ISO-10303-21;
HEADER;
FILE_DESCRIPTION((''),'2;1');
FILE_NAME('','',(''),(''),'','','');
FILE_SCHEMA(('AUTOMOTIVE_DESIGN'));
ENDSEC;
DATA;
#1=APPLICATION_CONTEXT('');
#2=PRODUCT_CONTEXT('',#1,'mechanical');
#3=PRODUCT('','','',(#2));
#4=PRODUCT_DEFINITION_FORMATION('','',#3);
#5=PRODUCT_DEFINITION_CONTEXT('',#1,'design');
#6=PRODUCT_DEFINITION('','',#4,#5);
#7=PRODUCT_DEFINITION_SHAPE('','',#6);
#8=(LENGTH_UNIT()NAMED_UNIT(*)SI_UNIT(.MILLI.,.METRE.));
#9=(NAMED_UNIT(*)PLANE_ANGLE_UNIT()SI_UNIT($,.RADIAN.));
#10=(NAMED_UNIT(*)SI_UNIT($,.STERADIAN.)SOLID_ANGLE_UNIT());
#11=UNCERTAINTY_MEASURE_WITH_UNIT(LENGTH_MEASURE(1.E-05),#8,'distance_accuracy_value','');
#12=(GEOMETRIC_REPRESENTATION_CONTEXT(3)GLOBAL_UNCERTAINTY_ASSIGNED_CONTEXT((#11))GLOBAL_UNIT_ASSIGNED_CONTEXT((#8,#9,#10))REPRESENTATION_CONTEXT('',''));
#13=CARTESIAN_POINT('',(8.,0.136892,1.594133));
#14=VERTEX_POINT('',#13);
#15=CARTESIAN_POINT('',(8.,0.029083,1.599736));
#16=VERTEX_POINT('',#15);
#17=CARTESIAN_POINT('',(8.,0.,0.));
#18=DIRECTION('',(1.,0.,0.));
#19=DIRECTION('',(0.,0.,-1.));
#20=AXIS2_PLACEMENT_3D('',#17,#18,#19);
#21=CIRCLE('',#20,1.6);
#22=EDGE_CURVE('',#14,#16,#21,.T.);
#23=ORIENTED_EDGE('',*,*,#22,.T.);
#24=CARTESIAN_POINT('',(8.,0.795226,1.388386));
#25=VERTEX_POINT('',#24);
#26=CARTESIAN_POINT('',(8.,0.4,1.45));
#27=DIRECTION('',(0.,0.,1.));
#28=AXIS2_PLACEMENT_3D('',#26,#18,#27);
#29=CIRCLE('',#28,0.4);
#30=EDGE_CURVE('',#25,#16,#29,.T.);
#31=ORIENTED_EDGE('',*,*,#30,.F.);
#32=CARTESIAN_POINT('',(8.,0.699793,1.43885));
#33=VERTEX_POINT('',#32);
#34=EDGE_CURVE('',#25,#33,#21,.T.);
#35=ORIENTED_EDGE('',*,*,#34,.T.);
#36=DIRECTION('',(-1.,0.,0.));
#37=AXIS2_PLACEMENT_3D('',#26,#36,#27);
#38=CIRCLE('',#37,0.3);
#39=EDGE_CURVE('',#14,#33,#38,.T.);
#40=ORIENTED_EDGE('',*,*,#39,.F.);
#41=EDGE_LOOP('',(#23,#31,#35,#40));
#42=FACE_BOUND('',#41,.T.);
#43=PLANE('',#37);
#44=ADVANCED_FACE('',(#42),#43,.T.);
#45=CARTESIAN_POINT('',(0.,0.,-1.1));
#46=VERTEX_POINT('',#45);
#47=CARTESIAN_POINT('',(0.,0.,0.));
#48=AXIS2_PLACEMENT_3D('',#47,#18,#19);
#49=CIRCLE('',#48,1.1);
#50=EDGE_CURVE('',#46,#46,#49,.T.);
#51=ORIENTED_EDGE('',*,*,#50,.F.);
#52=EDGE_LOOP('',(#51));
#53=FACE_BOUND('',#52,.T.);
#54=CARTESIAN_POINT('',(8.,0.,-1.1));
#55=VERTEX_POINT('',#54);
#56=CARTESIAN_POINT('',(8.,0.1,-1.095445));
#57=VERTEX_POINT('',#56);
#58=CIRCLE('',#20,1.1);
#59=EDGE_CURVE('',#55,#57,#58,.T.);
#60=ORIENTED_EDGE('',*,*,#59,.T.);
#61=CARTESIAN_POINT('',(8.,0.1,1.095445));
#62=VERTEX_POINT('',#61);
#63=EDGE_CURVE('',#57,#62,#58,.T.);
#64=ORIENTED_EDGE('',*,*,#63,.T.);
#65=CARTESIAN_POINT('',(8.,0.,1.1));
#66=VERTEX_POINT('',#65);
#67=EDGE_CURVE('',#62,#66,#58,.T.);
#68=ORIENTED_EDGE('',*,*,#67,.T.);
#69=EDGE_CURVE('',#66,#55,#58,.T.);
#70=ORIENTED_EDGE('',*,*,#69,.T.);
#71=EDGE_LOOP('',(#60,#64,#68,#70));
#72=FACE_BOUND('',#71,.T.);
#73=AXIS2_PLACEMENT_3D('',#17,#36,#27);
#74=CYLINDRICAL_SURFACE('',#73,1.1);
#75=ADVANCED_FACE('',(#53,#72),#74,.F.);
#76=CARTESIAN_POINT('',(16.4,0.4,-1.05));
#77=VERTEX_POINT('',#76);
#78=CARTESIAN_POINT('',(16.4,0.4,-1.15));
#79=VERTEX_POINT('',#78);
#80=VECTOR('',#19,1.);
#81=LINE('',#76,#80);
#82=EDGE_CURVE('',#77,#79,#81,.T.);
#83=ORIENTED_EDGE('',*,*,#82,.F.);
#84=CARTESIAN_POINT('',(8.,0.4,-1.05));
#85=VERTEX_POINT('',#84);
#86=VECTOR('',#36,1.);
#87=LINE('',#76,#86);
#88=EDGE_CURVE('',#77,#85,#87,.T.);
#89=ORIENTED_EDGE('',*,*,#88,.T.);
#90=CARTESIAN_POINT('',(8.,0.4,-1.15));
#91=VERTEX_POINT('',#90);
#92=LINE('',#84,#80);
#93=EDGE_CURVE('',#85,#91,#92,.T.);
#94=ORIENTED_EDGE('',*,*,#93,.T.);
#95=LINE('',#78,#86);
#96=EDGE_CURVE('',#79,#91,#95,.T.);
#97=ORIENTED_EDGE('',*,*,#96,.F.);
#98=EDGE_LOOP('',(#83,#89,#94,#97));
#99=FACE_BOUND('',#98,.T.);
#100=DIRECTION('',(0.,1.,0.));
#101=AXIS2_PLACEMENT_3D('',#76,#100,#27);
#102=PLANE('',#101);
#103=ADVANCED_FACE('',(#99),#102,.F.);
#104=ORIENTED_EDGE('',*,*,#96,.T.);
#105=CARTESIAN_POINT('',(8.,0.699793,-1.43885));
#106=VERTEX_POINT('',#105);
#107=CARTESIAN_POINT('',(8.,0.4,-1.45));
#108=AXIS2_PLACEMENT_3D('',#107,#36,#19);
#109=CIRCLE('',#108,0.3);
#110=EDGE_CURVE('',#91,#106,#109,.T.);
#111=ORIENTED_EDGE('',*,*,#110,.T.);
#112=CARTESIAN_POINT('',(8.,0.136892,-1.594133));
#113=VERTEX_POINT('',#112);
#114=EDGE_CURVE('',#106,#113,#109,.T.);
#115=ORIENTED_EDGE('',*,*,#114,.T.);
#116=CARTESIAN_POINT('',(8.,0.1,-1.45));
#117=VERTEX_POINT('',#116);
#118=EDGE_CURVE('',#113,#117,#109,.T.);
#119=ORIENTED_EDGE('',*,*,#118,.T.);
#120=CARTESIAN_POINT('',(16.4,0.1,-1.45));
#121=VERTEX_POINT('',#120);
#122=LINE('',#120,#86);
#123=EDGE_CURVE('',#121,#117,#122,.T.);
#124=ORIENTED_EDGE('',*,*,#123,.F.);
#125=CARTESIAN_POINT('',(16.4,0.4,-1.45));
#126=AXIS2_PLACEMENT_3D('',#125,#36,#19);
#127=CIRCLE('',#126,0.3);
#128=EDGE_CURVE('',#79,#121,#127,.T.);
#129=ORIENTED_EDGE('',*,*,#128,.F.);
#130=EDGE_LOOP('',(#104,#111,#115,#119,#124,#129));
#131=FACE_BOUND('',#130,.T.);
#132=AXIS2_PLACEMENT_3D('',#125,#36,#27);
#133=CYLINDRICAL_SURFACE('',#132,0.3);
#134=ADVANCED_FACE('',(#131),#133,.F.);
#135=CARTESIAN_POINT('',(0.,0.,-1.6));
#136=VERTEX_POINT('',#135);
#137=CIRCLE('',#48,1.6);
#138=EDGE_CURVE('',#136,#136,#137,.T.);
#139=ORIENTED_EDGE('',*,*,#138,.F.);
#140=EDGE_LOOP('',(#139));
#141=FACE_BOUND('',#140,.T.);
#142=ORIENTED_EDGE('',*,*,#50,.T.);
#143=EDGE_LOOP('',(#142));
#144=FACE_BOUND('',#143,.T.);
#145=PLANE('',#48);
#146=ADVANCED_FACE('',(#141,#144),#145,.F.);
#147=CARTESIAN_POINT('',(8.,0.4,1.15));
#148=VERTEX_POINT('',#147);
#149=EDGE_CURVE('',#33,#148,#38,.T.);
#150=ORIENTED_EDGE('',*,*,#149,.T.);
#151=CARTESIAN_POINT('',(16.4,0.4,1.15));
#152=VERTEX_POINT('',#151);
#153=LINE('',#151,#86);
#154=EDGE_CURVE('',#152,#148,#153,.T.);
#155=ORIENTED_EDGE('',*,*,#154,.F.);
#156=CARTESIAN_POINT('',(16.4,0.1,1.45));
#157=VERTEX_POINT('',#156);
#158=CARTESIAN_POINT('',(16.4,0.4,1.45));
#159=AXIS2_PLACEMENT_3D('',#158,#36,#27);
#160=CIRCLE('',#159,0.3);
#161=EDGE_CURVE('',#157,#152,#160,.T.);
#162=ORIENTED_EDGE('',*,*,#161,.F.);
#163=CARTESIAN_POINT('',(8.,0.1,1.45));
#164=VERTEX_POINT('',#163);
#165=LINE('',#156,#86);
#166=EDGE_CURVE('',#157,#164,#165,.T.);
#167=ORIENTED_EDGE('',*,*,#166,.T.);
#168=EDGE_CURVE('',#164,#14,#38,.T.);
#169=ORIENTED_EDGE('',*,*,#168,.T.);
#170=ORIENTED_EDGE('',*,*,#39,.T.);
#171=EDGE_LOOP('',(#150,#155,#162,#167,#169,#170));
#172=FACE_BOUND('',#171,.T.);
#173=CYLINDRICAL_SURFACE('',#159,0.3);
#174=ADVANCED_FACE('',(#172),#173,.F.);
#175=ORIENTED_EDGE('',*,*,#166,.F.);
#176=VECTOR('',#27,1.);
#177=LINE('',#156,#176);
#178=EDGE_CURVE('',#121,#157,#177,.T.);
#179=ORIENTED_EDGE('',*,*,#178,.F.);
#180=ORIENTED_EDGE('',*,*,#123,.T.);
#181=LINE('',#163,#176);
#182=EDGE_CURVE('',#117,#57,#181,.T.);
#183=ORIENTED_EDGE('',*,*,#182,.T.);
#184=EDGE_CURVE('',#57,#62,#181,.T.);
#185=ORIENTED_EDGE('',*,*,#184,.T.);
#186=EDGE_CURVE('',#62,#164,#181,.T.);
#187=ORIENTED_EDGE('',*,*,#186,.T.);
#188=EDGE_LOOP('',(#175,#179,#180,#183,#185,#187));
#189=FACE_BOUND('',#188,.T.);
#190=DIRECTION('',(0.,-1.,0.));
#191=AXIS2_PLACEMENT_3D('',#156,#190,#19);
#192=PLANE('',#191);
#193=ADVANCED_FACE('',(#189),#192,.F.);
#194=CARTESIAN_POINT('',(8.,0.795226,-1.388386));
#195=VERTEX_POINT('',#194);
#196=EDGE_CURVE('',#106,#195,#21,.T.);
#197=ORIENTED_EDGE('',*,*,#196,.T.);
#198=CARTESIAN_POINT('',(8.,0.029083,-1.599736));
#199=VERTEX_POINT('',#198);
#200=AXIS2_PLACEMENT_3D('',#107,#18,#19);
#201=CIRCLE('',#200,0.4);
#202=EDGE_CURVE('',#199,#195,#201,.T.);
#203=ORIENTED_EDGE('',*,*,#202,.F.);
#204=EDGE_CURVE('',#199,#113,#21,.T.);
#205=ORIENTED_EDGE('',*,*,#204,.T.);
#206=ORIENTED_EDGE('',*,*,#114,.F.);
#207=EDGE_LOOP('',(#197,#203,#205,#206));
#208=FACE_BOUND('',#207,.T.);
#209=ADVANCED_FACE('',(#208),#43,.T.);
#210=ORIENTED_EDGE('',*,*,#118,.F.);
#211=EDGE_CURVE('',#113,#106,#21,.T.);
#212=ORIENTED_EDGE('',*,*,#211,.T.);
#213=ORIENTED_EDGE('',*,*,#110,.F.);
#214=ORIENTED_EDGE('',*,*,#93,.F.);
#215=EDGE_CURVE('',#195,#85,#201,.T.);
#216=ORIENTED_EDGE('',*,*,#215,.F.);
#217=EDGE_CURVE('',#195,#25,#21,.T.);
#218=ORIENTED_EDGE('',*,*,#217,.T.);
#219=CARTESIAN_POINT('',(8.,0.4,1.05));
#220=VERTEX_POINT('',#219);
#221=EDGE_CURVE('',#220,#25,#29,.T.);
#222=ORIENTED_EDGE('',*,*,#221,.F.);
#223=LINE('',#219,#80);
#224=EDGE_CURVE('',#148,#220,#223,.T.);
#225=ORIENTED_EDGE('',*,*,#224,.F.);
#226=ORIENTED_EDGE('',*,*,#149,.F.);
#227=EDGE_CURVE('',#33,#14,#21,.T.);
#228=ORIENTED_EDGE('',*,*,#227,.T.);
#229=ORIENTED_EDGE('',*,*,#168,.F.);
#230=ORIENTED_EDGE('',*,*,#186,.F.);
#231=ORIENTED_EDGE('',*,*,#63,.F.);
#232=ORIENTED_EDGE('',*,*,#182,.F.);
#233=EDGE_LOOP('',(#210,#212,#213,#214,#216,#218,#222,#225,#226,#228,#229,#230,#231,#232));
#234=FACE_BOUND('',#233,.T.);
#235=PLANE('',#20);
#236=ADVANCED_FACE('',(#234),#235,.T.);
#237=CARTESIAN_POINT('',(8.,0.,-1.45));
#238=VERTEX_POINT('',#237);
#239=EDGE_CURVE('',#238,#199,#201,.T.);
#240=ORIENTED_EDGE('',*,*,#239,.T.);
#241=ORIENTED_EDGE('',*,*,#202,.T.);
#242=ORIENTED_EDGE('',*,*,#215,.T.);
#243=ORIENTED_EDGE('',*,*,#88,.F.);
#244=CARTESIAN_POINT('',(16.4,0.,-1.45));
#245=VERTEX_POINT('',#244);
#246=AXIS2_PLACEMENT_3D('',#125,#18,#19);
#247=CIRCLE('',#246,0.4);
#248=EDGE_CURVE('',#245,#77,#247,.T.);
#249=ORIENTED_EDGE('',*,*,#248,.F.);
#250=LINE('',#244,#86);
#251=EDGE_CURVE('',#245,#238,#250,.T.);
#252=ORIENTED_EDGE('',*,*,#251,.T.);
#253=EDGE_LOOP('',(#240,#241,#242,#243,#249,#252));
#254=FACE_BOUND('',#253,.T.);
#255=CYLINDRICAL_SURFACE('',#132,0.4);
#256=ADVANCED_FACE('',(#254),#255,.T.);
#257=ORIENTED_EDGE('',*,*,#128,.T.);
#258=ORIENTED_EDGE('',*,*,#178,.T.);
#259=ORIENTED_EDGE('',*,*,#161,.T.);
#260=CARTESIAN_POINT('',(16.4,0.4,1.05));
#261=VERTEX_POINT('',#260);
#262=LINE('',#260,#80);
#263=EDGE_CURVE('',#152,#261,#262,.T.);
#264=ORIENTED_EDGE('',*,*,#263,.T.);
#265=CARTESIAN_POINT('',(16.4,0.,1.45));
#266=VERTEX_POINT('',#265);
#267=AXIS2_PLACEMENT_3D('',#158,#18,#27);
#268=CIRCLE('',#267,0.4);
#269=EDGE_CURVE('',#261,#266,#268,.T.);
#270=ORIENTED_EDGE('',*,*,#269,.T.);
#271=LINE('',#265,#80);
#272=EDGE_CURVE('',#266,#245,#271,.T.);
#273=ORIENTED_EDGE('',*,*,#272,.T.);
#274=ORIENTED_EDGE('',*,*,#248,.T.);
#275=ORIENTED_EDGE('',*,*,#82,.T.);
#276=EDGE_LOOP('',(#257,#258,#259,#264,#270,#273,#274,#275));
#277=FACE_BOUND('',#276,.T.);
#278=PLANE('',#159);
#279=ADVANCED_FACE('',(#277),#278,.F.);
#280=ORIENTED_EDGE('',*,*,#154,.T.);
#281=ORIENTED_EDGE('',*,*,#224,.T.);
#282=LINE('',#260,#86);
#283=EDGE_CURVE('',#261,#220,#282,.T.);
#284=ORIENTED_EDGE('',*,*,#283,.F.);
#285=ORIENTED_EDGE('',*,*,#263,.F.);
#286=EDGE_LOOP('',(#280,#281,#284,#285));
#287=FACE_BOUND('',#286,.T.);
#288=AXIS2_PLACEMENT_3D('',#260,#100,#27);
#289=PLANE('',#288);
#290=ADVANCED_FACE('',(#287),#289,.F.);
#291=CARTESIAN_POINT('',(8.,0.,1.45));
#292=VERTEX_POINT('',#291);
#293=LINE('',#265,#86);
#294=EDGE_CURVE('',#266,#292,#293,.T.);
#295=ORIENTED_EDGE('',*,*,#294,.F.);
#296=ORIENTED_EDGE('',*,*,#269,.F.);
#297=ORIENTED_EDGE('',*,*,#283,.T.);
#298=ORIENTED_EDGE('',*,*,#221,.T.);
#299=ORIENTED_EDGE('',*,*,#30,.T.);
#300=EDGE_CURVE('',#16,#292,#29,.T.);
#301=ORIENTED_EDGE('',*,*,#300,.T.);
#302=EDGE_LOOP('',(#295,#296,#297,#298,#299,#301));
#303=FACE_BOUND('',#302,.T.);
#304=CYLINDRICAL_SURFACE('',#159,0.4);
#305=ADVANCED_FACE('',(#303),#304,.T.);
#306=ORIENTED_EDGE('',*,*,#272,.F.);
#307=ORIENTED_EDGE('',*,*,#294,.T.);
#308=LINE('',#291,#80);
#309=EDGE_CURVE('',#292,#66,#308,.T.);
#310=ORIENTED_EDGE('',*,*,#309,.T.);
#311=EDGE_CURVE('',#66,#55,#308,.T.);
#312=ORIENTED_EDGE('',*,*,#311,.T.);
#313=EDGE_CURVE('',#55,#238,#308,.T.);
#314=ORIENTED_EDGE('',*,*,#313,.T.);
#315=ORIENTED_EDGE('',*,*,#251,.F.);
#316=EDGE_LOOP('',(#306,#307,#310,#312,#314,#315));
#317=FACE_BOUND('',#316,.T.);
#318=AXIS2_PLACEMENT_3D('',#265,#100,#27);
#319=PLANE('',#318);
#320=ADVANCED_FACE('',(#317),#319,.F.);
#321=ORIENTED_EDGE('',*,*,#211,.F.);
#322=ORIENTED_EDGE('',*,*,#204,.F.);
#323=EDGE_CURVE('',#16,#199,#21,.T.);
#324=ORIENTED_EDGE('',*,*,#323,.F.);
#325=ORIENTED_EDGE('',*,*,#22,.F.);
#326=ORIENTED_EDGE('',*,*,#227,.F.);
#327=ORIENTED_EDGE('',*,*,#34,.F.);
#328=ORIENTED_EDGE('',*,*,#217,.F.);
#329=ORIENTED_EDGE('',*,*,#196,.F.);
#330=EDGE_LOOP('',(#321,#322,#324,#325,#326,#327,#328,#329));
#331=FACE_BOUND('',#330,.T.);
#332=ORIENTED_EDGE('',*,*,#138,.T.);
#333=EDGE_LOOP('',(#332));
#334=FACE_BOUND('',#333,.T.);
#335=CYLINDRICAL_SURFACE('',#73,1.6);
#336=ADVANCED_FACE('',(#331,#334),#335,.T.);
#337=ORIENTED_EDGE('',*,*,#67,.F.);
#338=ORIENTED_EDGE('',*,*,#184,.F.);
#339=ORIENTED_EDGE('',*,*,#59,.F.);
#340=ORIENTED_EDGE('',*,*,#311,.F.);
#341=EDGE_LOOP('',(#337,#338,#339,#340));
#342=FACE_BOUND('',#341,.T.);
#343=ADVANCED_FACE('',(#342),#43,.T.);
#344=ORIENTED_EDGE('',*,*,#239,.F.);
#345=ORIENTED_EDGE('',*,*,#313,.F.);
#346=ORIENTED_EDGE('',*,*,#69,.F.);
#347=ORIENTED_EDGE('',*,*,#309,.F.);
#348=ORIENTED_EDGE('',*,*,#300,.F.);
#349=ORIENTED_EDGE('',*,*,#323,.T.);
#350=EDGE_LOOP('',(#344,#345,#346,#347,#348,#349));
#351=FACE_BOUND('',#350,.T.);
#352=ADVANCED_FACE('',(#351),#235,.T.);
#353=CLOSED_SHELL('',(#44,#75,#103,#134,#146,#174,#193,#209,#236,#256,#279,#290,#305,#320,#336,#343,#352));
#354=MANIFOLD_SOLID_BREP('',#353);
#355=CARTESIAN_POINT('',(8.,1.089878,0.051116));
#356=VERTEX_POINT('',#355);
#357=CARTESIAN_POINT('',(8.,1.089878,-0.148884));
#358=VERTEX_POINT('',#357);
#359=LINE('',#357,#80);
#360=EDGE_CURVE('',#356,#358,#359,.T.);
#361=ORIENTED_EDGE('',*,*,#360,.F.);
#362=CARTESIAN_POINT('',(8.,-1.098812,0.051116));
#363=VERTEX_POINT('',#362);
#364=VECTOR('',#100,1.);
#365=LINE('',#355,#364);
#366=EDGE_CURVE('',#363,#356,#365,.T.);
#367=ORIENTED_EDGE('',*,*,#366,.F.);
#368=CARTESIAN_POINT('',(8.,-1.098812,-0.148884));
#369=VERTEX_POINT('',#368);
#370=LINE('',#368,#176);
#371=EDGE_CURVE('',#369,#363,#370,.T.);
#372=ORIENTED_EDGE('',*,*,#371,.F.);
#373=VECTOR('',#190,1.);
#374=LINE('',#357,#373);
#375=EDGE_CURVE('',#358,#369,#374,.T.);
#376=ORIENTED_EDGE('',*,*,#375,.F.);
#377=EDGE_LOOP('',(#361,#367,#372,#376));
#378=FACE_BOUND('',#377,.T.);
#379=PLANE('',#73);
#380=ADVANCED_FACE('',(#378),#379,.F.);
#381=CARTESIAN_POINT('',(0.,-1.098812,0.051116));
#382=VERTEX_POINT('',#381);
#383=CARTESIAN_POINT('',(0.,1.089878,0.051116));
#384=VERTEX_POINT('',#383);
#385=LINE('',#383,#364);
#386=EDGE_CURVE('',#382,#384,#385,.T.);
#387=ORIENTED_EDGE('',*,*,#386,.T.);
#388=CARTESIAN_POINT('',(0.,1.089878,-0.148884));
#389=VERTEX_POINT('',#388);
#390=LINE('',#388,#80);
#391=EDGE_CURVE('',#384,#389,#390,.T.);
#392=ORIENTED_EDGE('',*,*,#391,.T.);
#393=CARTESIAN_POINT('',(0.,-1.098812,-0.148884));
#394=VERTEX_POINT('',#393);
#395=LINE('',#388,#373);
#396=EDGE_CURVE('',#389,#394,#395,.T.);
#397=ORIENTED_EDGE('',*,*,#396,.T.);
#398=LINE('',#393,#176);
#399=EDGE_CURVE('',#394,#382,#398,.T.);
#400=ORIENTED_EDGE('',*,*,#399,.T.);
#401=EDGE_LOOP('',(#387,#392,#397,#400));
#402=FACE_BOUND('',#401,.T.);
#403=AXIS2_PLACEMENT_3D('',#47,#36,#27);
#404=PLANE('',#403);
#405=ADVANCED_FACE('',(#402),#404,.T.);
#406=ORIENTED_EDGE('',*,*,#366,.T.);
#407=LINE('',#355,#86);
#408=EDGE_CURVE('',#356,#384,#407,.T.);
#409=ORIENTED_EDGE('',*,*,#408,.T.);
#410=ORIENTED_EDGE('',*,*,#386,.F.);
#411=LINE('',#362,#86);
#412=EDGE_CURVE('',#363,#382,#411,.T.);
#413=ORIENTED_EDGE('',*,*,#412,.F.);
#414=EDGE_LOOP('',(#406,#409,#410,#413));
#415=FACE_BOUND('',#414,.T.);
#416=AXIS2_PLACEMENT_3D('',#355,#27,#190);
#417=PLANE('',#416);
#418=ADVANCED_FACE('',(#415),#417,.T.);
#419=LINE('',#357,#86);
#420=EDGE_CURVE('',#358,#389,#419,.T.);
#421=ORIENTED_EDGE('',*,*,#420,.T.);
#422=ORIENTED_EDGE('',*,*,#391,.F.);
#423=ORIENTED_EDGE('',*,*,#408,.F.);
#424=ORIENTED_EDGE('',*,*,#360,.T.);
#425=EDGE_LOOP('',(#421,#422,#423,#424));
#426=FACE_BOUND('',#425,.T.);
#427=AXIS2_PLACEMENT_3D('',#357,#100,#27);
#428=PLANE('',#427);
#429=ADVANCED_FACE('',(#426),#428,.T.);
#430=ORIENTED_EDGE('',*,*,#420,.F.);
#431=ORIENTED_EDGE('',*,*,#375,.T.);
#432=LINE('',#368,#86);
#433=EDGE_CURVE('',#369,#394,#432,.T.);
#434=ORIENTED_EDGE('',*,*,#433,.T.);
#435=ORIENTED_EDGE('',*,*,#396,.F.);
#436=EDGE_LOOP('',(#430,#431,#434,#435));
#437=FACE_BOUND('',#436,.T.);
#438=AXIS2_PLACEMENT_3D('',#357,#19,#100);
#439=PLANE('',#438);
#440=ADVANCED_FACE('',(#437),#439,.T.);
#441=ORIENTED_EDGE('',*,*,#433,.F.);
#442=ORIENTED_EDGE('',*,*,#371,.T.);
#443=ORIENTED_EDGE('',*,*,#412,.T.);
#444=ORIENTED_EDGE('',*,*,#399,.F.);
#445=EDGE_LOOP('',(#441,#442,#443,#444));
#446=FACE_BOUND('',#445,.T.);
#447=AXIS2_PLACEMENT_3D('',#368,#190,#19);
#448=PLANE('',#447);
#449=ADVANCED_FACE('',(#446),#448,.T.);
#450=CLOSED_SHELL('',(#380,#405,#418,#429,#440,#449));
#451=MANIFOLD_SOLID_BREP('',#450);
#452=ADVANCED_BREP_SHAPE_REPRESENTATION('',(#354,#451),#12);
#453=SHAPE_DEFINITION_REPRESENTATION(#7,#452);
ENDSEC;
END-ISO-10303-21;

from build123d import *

# Parameters (mm, degrees)
SKETCH1_R           = 1.6
SKETCH1_R_2         = 1.1
BOSS_EXTRUDE1_DEPTH = 8
BOSS_EXTRUDE2_DEPTH = 8.4
SKETCH3_W           = 0.2
SKETCH3_H           = 2.18868951
BOSS_EXTRUDE5_DEPTH = 8


with BuildPart() as part:
    # Sketch1 → Boss-Extrude1 (new body)
    with BuildSketch(Plane(origin=(0, 0, 0), x_dir=(0, 0, -1), z_dir=(1, 0, 0))):
        Circle(SKETCH1_R)
        Circle(SKETCH1_R_2, mode=Mode.SUBTRACT)
    extrude(amount=BOSS_EXTRUDE1_DEPTH)

    # Sketch2 → Boss-Extrude2 (add)
    with BuildSketch(Plane(origin=(8, 0, 0), x_dir=(0, 0, -1), z_dir=(1, 0, 0))):
        with BuildLine():
            Line((-1.45, 0), (1.45, 0))
            ThreePointArc((1.45, 0), (1.732842712, 0.682842712), (1.05, 0.4))
            Line((1.05, 0.4), (1.15, 0.4))
            ThreePointArc((1.15, 0.4), (1.662132034, 0.612132034), (1.45, 0.1))
            Line((1.45, 0.1), (-1.45, 0.1))
            ThreePointArc((-1.45, 0.1), (-1.662132034, 0.612132034), (-1.15, 0.4))
            Line((-1.15, 0.4), (-1.05, 0.4))
            ThreePointArc((-1.05, 0.4), (-1.732842712, 0.682842712), (-1.45, 0))
        make_face()
    extrude(amount=BOSS_EXTRUDE2_DEPTH)


with BuildPart() as body_2:
    # Sketch3 → Boss-Extrude5 (new body)
    with BuildSketch(Plane.ZY):
        with Locations((-0.048883579, -0.004466927)):
            Rectangle(SKETCH3_W, SKETCH3_H)
    extrude(amount=-BOSS_EXTRUDE5_DEPTH)


solid = Compound([part.part, body_2.part])
